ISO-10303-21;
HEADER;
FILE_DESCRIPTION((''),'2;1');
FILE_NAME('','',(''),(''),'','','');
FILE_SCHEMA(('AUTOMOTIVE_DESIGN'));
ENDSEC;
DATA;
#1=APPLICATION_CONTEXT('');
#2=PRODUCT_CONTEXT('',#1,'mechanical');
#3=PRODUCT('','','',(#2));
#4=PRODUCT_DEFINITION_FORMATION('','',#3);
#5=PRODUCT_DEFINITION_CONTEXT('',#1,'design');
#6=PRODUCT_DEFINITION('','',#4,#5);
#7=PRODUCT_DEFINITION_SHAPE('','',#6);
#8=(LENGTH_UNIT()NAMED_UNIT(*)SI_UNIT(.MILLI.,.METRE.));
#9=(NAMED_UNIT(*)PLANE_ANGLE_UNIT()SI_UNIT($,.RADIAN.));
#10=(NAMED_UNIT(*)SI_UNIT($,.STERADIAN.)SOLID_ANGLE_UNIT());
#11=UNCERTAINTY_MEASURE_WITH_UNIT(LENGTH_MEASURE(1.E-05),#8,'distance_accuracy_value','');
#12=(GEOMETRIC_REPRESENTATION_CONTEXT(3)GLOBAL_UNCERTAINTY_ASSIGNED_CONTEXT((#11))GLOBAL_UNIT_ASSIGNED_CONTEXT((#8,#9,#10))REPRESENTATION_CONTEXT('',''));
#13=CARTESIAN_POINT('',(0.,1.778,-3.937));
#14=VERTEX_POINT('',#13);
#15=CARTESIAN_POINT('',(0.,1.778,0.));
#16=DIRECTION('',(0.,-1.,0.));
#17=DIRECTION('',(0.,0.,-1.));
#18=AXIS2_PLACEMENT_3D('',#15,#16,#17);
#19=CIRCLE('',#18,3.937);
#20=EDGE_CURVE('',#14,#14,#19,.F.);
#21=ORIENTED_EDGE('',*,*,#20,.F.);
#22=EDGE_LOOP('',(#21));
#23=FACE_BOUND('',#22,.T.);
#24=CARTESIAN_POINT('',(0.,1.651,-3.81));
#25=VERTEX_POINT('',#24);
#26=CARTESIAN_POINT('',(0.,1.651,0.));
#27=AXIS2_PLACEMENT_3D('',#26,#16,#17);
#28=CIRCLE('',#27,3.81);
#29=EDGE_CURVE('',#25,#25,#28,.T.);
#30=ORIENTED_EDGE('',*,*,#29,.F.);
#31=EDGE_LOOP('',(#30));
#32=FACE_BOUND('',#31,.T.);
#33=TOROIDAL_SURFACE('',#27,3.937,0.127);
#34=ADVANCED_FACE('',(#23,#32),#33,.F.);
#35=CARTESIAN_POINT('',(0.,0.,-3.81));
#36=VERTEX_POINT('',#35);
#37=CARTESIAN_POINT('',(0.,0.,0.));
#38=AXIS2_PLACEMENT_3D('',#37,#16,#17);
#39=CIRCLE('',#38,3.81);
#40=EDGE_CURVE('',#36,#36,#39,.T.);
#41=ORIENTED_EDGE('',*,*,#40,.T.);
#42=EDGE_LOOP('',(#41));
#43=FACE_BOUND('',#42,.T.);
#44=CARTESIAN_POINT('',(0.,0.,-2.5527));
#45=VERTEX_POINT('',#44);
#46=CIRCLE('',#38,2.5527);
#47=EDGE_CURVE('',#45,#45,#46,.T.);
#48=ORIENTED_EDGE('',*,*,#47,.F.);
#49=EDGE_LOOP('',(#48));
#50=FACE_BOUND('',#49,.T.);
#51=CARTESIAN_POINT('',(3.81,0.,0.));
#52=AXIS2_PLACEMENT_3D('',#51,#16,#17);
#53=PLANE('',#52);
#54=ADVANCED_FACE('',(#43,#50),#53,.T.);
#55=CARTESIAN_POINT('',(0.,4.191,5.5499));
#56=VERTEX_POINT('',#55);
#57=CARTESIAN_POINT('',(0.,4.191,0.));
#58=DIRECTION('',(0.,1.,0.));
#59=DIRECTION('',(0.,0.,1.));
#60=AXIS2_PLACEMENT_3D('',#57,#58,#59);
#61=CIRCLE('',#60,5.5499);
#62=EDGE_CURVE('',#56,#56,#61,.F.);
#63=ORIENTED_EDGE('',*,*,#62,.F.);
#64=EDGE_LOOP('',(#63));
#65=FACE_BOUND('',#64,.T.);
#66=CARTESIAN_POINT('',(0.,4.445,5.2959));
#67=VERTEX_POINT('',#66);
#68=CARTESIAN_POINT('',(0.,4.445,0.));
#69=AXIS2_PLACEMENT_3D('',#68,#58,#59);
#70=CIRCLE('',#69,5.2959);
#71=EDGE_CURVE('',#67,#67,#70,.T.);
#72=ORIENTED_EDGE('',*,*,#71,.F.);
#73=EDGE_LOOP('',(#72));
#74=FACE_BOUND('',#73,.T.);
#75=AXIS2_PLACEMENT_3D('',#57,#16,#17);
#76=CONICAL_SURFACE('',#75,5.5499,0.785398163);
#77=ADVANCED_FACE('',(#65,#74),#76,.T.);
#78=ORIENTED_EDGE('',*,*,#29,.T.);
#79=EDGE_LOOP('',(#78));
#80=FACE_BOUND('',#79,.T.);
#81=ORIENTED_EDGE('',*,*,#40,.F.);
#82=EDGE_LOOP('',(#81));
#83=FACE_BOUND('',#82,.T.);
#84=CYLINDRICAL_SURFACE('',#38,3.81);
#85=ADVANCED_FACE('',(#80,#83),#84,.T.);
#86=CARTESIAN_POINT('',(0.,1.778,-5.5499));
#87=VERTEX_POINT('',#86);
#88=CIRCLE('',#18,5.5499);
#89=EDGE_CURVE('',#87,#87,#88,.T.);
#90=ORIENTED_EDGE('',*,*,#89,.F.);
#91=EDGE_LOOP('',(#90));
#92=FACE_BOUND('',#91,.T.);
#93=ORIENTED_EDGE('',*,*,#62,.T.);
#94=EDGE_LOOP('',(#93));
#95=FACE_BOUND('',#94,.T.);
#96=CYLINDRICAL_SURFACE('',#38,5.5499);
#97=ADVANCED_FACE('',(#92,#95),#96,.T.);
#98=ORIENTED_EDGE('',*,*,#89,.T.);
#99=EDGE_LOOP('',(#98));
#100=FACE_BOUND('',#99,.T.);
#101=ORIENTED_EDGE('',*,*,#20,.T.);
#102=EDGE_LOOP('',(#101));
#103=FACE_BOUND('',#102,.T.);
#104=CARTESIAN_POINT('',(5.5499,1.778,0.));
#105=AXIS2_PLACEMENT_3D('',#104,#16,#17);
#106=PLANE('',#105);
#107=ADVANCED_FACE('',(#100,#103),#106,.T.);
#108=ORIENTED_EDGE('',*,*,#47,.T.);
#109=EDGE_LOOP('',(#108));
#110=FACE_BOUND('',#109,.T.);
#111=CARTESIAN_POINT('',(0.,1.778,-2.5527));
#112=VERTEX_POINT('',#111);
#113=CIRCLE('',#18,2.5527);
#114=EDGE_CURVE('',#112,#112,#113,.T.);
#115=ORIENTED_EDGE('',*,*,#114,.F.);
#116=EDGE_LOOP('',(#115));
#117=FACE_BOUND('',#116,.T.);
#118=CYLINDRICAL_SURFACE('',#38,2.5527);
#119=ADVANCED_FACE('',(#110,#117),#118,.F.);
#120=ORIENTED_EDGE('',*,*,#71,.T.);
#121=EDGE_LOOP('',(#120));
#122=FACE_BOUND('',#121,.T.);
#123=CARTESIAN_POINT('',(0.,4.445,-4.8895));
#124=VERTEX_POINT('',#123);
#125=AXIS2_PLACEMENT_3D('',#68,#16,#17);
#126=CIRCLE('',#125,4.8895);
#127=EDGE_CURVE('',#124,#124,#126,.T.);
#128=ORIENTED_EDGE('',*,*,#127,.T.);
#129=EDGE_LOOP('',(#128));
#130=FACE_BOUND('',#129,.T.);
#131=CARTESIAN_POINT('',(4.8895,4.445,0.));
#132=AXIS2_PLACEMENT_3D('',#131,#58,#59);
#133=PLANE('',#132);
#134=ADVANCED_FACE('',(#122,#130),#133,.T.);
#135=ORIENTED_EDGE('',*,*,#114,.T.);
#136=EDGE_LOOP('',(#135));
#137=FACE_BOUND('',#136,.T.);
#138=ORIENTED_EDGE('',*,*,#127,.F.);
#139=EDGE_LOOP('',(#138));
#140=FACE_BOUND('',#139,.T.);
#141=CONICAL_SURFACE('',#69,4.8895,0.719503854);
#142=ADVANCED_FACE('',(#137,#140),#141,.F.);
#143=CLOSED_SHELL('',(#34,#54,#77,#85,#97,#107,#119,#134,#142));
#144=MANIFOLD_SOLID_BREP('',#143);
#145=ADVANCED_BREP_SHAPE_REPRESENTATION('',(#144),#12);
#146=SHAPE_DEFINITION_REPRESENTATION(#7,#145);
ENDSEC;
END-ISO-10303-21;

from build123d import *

# Parameters (mm, degrees)
CHAMFER1_SIZE = 0.254
FILLET1_R     = 0.127


with BuildPart() as part:
    # Sketch1 → Revolve1 (revolve)
    with BuildSketch(Plane.XY):
        Polygon((2.5527, 0), (2.5527, 1.778), (4.8895, 4.445), (5.5499, 4.445), (5.5499, 1.778), (3.81, 1.778), (3.81, 0), align=None)
    revolve(axis=Axis((0, 0, 0), (0, 1, 0)))

    # Chamfer1
    chamfer1_edges = [part.edges().sort_by_distance(p)[0] for p in [
        (-5.5499, 4.445, 0),
    ]]
    chamfer(chamfer1_edges, length=CHAMFER1_SIZE)

    # Fillet1
    fillet1_edges = [part.edges().sort_by_distance(p)[0] for p in [
        (-3.81, 1.778, 0),
    ]]
    fillet(fillet1_edges, radius=FILLET1_R)


solid = part.part
